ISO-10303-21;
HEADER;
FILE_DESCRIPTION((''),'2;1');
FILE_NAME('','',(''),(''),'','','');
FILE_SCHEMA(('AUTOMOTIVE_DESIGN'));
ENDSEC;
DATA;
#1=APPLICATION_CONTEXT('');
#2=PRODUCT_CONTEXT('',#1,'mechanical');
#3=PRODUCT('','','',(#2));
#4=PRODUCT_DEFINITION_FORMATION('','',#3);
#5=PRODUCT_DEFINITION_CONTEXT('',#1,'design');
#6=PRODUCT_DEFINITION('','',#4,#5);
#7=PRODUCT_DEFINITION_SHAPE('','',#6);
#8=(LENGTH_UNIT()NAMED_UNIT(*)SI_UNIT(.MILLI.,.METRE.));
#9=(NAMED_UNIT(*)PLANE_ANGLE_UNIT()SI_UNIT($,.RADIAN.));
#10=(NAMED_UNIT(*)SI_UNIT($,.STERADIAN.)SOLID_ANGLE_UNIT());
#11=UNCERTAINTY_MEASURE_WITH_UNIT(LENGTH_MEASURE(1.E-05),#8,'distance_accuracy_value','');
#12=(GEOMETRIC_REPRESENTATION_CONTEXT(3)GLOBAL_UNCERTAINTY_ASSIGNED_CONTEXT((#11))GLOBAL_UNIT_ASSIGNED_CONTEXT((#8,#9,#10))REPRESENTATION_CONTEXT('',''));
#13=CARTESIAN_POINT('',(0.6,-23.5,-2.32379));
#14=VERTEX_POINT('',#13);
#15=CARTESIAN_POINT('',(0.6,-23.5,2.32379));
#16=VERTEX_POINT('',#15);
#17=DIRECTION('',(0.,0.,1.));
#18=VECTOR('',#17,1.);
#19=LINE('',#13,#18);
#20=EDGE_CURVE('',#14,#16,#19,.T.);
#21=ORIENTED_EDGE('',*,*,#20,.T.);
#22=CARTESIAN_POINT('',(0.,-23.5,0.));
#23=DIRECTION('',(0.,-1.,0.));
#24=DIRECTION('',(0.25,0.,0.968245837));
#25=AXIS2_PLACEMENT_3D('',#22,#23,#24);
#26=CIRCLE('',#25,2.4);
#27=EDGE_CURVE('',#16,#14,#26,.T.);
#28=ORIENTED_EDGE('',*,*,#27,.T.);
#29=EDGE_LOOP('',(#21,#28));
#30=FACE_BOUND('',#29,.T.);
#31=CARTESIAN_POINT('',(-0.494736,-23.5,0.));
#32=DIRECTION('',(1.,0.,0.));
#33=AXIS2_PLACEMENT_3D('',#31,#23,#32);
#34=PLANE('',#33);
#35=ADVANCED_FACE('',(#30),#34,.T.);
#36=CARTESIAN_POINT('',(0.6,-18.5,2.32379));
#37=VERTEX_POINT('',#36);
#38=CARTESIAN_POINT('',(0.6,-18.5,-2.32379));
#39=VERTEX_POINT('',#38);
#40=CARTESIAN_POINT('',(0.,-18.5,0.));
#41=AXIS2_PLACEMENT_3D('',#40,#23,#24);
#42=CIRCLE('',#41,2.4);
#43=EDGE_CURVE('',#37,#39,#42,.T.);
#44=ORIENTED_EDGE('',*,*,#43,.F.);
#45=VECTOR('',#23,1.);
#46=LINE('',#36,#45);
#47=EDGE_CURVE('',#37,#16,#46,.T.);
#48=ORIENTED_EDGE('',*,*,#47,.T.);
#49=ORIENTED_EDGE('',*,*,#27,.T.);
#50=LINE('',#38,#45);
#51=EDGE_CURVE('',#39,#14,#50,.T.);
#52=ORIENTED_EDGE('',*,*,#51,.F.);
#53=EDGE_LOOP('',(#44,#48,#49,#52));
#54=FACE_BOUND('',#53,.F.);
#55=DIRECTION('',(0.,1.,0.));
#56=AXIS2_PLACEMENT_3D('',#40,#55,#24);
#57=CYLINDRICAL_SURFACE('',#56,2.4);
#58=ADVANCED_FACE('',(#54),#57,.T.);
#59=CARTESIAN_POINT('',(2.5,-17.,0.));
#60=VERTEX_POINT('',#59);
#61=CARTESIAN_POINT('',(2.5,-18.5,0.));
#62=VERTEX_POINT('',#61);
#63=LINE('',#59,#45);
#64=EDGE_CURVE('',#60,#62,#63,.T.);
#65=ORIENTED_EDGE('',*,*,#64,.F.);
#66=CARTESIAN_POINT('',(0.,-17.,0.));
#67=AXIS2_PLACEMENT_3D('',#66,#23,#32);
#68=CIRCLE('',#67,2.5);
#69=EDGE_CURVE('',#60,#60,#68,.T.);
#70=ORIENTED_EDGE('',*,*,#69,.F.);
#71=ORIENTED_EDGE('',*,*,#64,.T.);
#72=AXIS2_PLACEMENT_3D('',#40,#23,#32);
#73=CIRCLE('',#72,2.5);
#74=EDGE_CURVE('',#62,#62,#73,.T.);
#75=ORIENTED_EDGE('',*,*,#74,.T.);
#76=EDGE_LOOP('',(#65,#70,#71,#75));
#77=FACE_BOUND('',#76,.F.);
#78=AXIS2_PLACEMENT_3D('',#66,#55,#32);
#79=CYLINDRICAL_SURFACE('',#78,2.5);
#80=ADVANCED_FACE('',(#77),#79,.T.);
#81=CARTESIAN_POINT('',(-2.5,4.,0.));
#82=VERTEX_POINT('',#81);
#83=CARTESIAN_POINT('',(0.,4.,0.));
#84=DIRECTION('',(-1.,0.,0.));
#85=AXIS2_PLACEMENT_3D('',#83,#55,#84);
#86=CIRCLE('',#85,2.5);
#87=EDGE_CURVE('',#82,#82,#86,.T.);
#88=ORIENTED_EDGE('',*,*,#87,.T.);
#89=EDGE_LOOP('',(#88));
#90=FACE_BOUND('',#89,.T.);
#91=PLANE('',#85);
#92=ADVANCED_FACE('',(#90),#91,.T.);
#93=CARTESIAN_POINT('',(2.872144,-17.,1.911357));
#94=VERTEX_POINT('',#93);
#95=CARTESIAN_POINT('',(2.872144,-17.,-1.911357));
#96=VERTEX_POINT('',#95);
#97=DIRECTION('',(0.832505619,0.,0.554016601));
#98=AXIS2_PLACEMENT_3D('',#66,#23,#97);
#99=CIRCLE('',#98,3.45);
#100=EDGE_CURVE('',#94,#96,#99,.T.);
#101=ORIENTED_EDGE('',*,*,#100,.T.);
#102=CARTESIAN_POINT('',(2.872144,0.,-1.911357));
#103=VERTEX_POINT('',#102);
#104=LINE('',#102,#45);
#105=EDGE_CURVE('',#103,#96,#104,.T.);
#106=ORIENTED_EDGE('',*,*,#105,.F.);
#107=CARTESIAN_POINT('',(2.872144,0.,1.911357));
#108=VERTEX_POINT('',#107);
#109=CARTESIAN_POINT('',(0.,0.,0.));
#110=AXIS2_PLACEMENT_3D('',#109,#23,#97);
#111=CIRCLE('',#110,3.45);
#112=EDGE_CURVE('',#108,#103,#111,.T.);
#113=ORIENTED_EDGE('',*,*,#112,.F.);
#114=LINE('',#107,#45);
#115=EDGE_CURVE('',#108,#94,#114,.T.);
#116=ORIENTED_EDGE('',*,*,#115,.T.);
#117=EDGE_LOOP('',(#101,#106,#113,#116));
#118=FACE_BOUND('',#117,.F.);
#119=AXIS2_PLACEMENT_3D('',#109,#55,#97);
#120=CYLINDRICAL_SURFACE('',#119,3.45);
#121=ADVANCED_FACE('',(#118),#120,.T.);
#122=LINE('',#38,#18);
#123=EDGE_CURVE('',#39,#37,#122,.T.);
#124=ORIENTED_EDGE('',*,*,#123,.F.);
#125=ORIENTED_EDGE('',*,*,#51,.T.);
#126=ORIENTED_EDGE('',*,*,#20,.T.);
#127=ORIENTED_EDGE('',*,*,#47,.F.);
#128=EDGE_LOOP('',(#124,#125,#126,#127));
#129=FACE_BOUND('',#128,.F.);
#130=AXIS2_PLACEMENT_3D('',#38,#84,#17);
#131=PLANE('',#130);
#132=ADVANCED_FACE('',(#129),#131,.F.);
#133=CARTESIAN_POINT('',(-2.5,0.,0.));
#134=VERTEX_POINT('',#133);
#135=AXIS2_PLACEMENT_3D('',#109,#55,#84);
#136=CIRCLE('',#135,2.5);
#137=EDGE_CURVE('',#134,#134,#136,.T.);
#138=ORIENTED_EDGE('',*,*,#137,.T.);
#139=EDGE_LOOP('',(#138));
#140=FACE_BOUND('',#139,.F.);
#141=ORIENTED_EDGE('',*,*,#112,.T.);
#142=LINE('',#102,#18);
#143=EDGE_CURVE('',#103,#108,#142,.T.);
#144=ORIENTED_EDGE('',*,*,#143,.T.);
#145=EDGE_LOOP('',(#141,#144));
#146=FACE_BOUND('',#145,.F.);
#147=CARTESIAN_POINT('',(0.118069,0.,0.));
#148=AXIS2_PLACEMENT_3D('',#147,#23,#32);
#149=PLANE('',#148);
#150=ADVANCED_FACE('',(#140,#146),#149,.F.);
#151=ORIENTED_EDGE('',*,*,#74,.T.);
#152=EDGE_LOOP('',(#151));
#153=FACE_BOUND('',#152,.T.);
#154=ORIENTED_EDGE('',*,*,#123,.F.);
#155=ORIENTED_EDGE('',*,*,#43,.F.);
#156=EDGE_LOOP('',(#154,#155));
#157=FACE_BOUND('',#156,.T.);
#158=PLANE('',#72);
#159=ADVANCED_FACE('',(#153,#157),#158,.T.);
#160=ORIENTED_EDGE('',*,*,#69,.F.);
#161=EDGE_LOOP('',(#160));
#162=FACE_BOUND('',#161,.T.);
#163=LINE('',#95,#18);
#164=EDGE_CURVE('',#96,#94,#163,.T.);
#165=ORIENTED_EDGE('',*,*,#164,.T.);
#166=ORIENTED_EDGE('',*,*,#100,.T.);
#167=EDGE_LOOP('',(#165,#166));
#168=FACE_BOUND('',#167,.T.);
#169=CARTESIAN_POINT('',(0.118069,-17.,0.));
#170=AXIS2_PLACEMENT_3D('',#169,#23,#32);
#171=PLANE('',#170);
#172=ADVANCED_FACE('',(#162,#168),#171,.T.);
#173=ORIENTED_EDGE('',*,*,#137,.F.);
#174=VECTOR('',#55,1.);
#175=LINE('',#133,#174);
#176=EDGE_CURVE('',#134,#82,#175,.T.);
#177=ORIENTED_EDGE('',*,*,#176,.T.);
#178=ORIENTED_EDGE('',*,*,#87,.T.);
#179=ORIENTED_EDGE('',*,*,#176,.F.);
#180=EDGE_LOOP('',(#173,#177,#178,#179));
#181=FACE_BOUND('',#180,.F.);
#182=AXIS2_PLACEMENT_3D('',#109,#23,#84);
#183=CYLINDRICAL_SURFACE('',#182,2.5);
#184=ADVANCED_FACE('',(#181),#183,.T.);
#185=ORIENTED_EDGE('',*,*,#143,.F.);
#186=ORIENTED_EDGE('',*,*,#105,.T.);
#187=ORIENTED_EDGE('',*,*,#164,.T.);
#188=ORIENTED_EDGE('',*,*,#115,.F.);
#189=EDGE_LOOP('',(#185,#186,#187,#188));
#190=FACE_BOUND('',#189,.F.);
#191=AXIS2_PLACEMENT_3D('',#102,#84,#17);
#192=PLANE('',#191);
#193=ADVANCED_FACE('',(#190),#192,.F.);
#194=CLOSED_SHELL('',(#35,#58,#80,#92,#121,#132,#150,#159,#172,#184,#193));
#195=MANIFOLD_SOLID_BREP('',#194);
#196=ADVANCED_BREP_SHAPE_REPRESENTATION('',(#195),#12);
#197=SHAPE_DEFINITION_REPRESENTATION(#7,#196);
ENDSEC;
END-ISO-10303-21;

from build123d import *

# Parameters (mm, degrees)
F1_DEPTH = 17
F2_R     = 2.5
F3_DEPTH = 1.5
F4_R     = 2.5
F5_DEPTH = 4
F7_DEPTH = 5


with BuildPart() as f1:
    # F0 (on Front) → F1 (new body)
    with BuildSketch(Plane.XZ):
        with BuildLine():
            Line((2.8721443851, -1.9113572746), (2.8721443851, 1.9113572746))
            ThreePointArc((2.8721443851, 1.9113572746), (-3.45, 0), (2.8721443851, -1.9113572746))
        make_face()
    extrude(amount=F1_DEPTH)

    # F2 (on face) → F3 (join)
    with BuildSketch(Plane.XZ.offset(17)):
        Circle(F2_R)
    extrude(amount=F3_DEPTH)

    # F4 (on face) → F5 (join)
    with BuildSketch(Plane(origin=(0, 0, 0), x_dir=(-1, 0, 0), z_dir=(0, 1, 0))):
        Circle(F4_R)
    extrude(amount=F5_DEPTH)

    # F6 (on face) → F7 (join)
    with BuildSketch(Plane.XZ.offset(18.5)):
        with BuildLine():
            Line((0.6, -2.3237900077), (0.6, 2.3237900077))
            ThreePointArc((0.6, 2.3237900077), (-2.4, 0), (0.6, -2.3237900077))
        make_face()
    extrude(amount=F7_DEPTH)


solid = f1.part
